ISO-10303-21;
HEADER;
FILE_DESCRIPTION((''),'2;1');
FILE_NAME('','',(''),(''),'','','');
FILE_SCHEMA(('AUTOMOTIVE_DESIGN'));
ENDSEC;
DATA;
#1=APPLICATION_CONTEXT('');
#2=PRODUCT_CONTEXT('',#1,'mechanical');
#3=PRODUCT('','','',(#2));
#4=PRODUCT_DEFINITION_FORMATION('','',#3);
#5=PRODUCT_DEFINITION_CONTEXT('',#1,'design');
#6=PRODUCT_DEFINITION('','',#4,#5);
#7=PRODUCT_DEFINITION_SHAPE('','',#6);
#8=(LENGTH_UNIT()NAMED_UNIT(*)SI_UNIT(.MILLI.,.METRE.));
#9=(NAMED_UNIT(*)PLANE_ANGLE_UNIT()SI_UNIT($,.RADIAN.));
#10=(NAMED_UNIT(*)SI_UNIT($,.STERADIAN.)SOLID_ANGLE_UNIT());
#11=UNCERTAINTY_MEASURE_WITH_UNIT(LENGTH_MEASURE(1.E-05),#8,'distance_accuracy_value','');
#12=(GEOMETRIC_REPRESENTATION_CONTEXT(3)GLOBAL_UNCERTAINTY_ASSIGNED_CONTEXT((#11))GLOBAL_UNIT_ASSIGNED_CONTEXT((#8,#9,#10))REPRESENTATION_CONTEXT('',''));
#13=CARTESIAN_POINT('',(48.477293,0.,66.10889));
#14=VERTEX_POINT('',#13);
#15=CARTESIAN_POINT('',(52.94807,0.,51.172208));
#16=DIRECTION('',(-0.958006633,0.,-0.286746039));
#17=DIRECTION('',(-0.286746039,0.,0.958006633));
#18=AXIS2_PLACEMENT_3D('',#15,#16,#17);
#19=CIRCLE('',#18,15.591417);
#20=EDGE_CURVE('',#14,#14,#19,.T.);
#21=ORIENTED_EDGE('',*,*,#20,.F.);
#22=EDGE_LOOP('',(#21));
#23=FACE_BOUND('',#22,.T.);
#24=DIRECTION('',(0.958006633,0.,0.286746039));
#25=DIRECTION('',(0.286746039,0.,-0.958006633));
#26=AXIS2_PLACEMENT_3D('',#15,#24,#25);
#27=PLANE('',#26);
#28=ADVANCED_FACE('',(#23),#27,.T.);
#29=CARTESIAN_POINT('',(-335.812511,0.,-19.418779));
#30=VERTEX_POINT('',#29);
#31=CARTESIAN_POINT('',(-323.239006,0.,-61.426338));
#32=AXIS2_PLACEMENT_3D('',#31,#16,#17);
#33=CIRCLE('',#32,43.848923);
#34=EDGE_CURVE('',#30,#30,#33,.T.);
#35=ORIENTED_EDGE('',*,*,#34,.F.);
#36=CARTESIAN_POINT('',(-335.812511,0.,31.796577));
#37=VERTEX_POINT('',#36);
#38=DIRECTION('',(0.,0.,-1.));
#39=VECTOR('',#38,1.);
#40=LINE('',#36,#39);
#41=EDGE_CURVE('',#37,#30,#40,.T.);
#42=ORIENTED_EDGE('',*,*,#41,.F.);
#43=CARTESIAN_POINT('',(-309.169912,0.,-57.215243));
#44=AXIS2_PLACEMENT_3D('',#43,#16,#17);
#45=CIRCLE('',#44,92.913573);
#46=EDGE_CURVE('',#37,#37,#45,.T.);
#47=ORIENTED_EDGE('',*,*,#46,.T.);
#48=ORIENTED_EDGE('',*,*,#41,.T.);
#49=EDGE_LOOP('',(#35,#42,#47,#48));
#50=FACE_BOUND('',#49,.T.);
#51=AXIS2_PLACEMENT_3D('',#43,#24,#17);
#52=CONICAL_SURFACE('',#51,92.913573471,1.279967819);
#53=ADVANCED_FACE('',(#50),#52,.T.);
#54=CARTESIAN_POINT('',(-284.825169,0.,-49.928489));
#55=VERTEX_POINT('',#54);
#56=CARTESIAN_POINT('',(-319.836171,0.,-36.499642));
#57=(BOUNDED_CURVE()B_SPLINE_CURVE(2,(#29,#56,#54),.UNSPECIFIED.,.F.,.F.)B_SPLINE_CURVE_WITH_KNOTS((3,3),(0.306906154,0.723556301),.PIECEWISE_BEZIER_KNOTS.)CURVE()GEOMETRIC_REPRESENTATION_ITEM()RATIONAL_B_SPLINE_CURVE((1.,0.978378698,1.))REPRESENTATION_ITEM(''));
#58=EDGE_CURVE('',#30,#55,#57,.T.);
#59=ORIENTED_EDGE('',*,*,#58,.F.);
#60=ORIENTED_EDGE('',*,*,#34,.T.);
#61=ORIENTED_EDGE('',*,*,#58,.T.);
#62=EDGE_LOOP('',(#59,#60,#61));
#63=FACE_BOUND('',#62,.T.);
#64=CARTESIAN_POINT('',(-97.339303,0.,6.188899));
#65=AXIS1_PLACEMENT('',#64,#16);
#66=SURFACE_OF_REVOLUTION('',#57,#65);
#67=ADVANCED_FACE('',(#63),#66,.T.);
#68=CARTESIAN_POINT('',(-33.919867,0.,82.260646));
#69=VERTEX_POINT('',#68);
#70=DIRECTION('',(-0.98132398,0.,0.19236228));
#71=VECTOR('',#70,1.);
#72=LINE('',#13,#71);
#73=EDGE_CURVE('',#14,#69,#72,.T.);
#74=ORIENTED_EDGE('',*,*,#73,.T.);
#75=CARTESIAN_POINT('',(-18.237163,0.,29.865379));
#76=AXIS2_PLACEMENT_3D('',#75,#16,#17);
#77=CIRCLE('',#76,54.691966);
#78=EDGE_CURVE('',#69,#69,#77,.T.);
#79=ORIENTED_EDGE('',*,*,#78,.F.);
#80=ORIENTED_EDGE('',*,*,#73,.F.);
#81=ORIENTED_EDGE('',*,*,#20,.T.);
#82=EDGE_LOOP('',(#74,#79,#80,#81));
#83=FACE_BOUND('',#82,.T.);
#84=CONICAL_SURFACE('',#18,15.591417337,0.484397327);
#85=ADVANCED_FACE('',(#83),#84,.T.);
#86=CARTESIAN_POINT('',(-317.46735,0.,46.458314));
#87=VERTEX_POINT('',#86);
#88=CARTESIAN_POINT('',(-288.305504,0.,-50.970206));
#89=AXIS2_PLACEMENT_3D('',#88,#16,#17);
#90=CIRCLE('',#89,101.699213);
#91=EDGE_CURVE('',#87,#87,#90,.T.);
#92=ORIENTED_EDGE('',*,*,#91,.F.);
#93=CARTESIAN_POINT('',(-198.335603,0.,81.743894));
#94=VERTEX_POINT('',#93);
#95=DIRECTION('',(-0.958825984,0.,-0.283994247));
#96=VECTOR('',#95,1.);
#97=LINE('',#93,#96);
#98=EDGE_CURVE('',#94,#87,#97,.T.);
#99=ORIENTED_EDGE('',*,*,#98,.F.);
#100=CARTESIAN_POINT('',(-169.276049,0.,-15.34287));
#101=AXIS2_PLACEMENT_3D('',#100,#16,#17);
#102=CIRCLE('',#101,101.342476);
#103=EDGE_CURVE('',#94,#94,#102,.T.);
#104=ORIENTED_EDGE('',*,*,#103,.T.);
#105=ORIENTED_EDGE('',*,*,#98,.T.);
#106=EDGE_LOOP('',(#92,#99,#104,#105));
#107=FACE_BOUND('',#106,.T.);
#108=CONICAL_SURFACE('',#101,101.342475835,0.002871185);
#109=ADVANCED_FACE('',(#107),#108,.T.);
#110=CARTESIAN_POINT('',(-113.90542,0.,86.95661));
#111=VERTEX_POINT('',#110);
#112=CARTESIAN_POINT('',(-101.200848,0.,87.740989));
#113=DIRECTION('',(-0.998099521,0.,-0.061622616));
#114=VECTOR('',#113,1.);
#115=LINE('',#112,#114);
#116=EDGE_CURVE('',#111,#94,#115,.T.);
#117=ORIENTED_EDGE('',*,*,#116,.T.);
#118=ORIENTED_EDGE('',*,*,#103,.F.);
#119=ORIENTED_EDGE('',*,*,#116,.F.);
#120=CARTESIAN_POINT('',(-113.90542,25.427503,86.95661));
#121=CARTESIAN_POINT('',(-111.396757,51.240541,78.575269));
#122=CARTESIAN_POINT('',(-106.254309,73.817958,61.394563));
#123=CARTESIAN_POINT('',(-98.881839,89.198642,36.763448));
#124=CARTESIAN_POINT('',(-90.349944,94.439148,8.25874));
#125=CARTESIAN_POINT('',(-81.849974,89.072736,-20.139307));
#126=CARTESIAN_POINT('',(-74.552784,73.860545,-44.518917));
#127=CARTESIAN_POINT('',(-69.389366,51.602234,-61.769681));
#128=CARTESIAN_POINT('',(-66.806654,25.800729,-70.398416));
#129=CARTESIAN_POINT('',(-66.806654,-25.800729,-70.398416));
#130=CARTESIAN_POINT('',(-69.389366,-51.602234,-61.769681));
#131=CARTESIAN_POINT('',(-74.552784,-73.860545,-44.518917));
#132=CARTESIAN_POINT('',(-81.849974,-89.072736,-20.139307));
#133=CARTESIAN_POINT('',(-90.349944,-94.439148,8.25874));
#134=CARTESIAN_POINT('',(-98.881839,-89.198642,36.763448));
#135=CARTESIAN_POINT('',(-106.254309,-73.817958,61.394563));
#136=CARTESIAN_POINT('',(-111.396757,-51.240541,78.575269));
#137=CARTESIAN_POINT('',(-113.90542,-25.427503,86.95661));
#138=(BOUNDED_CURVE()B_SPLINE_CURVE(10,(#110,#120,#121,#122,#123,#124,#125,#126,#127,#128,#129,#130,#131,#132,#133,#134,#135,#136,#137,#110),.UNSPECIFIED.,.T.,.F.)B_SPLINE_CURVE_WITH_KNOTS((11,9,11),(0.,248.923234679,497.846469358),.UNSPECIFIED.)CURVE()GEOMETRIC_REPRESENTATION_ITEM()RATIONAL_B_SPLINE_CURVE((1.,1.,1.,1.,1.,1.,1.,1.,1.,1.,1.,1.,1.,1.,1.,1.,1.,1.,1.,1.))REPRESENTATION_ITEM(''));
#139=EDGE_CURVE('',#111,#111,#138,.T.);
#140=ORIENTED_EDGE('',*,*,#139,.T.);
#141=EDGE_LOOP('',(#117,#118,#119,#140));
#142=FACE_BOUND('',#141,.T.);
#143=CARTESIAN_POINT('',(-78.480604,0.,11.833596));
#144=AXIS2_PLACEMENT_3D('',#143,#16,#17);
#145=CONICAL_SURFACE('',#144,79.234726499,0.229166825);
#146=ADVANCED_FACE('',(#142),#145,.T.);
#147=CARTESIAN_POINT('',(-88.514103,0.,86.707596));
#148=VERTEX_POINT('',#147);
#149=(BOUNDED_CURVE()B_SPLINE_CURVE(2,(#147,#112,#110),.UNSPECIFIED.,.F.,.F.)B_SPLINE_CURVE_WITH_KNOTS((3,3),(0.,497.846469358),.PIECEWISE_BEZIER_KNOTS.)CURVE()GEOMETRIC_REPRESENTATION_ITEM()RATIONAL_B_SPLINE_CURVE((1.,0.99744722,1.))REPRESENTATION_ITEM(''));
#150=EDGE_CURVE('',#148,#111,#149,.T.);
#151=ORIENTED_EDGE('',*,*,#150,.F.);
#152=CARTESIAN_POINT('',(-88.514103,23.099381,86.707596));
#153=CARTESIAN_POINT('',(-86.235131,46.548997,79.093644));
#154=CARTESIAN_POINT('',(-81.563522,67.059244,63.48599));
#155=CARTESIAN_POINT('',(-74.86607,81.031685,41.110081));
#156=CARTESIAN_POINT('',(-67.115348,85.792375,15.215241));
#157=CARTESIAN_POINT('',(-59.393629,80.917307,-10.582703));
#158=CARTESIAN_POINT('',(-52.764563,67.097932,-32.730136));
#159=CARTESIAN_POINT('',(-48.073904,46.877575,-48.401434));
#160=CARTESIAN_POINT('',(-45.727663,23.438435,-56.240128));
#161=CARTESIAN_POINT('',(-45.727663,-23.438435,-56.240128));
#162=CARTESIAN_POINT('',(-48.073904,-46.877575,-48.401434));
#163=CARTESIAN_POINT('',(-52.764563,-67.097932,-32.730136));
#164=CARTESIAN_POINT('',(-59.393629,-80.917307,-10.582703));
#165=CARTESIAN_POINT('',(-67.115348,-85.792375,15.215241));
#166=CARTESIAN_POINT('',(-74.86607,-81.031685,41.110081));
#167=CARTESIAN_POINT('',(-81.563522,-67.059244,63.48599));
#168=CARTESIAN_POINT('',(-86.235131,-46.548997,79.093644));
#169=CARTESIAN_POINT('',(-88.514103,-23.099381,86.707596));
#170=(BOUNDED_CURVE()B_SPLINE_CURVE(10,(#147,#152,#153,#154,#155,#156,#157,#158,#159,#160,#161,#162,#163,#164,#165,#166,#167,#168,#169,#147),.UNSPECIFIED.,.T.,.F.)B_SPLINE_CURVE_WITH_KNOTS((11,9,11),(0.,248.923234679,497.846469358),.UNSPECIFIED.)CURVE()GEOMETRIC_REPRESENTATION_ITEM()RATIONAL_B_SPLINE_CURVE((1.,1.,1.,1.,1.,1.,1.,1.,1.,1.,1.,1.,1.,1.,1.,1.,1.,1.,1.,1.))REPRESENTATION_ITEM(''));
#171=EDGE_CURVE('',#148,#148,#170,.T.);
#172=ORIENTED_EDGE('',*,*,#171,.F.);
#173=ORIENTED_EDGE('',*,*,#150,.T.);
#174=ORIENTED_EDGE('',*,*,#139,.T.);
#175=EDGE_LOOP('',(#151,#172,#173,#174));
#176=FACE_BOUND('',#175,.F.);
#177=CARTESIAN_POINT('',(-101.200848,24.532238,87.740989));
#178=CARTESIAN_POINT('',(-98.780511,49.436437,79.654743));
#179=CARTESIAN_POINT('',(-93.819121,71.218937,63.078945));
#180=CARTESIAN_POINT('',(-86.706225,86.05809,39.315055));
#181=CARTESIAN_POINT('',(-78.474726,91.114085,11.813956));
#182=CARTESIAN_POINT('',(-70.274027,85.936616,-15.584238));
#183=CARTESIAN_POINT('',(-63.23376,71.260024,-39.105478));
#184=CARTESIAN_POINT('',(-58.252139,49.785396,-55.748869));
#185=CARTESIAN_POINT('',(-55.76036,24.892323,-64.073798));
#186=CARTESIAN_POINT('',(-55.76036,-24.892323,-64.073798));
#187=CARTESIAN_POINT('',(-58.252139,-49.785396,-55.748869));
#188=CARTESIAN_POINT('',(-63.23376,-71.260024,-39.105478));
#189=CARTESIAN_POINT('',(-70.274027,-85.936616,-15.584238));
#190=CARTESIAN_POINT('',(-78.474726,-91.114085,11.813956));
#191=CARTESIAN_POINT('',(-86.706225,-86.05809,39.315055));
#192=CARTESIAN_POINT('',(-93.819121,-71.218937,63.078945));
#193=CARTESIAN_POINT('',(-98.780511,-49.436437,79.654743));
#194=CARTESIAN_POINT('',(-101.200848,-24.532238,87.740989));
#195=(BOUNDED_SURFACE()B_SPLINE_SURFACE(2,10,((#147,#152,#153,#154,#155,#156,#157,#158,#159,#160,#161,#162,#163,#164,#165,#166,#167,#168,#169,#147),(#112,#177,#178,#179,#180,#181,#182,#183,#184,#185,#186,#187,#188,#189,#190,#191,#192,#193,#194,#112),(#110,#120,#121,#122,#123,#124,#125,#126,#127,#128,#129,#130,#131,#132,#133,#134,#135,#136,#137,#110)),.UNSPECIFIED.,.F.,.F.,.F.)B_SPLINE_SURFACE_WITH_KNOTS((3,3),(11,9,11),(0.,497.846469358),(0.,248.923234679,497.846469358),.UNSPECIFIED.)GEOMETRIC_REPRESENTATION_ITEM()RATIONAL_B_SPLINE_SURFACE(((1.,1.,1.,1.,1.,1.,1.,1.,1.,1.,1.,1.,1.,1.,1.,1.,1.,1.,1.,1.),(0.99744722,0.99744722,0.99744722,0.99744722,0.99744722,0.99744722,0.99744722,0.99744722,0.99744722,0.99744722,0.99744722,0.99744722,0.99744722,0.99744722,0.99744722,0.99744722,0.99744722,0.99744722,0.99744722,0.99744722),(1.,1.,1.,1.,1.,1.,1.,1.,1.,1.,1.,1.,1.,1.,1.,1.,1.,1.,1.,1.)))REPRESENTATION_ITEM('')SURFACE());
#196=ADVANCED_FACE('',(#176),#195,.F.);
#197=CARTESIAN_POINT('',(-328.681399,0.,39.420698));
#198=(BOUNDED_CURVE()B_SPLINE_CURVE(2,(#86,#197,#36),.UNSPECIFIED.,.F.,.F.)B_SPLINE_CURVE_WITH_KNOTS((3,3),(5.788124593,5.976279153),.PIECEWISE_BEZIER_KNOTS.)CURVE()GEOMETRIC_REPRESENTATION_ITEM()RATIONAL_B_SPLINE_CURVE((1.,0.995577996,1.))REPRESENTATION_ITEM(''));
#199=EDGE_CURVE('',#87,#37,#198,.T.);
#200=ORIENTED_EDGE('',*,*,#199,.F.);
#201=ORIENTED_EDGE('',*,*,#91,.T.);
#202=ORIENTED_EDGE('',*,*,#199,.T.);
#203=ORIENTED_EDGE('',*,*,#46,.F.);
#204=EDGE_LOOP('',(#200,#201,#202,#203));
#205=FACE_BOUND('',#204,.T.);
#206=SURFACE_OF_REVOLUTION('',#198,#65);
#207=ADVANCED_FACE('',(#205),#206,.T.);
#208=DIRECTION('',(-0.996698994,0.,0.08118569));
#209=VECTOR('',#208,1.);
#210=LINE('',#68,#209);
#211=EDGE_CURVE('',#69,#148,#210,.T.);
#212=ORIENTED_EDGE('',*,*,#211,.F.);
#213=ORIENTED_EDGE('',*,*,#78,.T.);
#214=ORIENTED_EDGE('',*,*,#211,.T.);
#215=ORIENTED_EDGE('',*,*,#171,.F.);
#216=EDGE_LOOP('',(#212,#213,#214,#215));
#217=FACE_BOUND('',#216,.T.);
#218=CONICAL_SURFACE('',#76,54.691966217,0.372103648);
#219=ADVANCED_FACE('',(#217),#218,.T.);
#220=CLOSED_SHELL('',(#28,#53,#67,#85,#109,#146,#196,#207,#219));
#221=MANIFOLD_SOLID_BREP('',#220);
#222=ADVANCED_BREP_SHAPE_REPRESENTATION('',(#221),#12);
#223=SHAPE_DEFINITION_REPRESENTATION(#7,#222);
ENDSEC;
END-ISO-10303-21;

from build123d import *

# Parameters (mm, degrees)
F2_R = 177.8


with BuildPart() as f1:
    # F0 (on Front) → F1 (revolve)
    with BuildSketch(Plane.XZ):
        with BuildLine():
            Line((-335.8125113323, 31.7965768238), (-335.8125113323, -19.4187790523))
            add(Edge.make_bspline(
                [(-335.8125113323, -19.4187790523), (-319.8361711455, -36.4996415061), (-284.8251686885, -49.9284887464)],
                knots=[0.306906154, 0.306906154, 0.306906154, 0.7235563013, 0.7235563013, 0.7235563013], degree=2, weights=[1, 0.9783786977, 1]))
            Line((-284.8251686885, -49.9284887464), (52.9480699434, 51.1722083456))
            Line((52.9480699434, 51.1722083456), (48.4772927708, 66.1088895775))
            Line((48.4772927708, 66.1088895775), (-33.9198673979, 82.2606457376))
            Line((-33.9198673979, 82.2606457376), (-101.2008483359, 87.7409892803))
            Line((-101.2008483359, 87.7409892803), (-198.3356029312, 81.7438942248))
            Line((-198.3356029312, 81.7438942248), (-317.4673501972, 46.4583143785))
            add(Edge.make_bspline(
                [(-317.4673501972, 46.4583143785), (-328.6813986252, 39.4206981099), (-335.8125113323, 31.7965768238)],
                knots=[5.7881245931, 5.7881245931, 5.7881245931, 5.9762791532, 5.9762791532, 5.9762791532], degree=2, weights=[1, 0.9955779956, 1]))
        make_face()
    revolve(axis=Axis((-97.3393025247, 0, 6.1888988857), (-0.958006633, 0, -0.2867460395)))

    # F2
    f2_edges = [f1.edges().sort_by_distance(p)[0] for p in [
        (-55.76036, 0, -64.073798),
    ]]
    fillet(f2_edges, radius=F2_R)


solid = f1.part
